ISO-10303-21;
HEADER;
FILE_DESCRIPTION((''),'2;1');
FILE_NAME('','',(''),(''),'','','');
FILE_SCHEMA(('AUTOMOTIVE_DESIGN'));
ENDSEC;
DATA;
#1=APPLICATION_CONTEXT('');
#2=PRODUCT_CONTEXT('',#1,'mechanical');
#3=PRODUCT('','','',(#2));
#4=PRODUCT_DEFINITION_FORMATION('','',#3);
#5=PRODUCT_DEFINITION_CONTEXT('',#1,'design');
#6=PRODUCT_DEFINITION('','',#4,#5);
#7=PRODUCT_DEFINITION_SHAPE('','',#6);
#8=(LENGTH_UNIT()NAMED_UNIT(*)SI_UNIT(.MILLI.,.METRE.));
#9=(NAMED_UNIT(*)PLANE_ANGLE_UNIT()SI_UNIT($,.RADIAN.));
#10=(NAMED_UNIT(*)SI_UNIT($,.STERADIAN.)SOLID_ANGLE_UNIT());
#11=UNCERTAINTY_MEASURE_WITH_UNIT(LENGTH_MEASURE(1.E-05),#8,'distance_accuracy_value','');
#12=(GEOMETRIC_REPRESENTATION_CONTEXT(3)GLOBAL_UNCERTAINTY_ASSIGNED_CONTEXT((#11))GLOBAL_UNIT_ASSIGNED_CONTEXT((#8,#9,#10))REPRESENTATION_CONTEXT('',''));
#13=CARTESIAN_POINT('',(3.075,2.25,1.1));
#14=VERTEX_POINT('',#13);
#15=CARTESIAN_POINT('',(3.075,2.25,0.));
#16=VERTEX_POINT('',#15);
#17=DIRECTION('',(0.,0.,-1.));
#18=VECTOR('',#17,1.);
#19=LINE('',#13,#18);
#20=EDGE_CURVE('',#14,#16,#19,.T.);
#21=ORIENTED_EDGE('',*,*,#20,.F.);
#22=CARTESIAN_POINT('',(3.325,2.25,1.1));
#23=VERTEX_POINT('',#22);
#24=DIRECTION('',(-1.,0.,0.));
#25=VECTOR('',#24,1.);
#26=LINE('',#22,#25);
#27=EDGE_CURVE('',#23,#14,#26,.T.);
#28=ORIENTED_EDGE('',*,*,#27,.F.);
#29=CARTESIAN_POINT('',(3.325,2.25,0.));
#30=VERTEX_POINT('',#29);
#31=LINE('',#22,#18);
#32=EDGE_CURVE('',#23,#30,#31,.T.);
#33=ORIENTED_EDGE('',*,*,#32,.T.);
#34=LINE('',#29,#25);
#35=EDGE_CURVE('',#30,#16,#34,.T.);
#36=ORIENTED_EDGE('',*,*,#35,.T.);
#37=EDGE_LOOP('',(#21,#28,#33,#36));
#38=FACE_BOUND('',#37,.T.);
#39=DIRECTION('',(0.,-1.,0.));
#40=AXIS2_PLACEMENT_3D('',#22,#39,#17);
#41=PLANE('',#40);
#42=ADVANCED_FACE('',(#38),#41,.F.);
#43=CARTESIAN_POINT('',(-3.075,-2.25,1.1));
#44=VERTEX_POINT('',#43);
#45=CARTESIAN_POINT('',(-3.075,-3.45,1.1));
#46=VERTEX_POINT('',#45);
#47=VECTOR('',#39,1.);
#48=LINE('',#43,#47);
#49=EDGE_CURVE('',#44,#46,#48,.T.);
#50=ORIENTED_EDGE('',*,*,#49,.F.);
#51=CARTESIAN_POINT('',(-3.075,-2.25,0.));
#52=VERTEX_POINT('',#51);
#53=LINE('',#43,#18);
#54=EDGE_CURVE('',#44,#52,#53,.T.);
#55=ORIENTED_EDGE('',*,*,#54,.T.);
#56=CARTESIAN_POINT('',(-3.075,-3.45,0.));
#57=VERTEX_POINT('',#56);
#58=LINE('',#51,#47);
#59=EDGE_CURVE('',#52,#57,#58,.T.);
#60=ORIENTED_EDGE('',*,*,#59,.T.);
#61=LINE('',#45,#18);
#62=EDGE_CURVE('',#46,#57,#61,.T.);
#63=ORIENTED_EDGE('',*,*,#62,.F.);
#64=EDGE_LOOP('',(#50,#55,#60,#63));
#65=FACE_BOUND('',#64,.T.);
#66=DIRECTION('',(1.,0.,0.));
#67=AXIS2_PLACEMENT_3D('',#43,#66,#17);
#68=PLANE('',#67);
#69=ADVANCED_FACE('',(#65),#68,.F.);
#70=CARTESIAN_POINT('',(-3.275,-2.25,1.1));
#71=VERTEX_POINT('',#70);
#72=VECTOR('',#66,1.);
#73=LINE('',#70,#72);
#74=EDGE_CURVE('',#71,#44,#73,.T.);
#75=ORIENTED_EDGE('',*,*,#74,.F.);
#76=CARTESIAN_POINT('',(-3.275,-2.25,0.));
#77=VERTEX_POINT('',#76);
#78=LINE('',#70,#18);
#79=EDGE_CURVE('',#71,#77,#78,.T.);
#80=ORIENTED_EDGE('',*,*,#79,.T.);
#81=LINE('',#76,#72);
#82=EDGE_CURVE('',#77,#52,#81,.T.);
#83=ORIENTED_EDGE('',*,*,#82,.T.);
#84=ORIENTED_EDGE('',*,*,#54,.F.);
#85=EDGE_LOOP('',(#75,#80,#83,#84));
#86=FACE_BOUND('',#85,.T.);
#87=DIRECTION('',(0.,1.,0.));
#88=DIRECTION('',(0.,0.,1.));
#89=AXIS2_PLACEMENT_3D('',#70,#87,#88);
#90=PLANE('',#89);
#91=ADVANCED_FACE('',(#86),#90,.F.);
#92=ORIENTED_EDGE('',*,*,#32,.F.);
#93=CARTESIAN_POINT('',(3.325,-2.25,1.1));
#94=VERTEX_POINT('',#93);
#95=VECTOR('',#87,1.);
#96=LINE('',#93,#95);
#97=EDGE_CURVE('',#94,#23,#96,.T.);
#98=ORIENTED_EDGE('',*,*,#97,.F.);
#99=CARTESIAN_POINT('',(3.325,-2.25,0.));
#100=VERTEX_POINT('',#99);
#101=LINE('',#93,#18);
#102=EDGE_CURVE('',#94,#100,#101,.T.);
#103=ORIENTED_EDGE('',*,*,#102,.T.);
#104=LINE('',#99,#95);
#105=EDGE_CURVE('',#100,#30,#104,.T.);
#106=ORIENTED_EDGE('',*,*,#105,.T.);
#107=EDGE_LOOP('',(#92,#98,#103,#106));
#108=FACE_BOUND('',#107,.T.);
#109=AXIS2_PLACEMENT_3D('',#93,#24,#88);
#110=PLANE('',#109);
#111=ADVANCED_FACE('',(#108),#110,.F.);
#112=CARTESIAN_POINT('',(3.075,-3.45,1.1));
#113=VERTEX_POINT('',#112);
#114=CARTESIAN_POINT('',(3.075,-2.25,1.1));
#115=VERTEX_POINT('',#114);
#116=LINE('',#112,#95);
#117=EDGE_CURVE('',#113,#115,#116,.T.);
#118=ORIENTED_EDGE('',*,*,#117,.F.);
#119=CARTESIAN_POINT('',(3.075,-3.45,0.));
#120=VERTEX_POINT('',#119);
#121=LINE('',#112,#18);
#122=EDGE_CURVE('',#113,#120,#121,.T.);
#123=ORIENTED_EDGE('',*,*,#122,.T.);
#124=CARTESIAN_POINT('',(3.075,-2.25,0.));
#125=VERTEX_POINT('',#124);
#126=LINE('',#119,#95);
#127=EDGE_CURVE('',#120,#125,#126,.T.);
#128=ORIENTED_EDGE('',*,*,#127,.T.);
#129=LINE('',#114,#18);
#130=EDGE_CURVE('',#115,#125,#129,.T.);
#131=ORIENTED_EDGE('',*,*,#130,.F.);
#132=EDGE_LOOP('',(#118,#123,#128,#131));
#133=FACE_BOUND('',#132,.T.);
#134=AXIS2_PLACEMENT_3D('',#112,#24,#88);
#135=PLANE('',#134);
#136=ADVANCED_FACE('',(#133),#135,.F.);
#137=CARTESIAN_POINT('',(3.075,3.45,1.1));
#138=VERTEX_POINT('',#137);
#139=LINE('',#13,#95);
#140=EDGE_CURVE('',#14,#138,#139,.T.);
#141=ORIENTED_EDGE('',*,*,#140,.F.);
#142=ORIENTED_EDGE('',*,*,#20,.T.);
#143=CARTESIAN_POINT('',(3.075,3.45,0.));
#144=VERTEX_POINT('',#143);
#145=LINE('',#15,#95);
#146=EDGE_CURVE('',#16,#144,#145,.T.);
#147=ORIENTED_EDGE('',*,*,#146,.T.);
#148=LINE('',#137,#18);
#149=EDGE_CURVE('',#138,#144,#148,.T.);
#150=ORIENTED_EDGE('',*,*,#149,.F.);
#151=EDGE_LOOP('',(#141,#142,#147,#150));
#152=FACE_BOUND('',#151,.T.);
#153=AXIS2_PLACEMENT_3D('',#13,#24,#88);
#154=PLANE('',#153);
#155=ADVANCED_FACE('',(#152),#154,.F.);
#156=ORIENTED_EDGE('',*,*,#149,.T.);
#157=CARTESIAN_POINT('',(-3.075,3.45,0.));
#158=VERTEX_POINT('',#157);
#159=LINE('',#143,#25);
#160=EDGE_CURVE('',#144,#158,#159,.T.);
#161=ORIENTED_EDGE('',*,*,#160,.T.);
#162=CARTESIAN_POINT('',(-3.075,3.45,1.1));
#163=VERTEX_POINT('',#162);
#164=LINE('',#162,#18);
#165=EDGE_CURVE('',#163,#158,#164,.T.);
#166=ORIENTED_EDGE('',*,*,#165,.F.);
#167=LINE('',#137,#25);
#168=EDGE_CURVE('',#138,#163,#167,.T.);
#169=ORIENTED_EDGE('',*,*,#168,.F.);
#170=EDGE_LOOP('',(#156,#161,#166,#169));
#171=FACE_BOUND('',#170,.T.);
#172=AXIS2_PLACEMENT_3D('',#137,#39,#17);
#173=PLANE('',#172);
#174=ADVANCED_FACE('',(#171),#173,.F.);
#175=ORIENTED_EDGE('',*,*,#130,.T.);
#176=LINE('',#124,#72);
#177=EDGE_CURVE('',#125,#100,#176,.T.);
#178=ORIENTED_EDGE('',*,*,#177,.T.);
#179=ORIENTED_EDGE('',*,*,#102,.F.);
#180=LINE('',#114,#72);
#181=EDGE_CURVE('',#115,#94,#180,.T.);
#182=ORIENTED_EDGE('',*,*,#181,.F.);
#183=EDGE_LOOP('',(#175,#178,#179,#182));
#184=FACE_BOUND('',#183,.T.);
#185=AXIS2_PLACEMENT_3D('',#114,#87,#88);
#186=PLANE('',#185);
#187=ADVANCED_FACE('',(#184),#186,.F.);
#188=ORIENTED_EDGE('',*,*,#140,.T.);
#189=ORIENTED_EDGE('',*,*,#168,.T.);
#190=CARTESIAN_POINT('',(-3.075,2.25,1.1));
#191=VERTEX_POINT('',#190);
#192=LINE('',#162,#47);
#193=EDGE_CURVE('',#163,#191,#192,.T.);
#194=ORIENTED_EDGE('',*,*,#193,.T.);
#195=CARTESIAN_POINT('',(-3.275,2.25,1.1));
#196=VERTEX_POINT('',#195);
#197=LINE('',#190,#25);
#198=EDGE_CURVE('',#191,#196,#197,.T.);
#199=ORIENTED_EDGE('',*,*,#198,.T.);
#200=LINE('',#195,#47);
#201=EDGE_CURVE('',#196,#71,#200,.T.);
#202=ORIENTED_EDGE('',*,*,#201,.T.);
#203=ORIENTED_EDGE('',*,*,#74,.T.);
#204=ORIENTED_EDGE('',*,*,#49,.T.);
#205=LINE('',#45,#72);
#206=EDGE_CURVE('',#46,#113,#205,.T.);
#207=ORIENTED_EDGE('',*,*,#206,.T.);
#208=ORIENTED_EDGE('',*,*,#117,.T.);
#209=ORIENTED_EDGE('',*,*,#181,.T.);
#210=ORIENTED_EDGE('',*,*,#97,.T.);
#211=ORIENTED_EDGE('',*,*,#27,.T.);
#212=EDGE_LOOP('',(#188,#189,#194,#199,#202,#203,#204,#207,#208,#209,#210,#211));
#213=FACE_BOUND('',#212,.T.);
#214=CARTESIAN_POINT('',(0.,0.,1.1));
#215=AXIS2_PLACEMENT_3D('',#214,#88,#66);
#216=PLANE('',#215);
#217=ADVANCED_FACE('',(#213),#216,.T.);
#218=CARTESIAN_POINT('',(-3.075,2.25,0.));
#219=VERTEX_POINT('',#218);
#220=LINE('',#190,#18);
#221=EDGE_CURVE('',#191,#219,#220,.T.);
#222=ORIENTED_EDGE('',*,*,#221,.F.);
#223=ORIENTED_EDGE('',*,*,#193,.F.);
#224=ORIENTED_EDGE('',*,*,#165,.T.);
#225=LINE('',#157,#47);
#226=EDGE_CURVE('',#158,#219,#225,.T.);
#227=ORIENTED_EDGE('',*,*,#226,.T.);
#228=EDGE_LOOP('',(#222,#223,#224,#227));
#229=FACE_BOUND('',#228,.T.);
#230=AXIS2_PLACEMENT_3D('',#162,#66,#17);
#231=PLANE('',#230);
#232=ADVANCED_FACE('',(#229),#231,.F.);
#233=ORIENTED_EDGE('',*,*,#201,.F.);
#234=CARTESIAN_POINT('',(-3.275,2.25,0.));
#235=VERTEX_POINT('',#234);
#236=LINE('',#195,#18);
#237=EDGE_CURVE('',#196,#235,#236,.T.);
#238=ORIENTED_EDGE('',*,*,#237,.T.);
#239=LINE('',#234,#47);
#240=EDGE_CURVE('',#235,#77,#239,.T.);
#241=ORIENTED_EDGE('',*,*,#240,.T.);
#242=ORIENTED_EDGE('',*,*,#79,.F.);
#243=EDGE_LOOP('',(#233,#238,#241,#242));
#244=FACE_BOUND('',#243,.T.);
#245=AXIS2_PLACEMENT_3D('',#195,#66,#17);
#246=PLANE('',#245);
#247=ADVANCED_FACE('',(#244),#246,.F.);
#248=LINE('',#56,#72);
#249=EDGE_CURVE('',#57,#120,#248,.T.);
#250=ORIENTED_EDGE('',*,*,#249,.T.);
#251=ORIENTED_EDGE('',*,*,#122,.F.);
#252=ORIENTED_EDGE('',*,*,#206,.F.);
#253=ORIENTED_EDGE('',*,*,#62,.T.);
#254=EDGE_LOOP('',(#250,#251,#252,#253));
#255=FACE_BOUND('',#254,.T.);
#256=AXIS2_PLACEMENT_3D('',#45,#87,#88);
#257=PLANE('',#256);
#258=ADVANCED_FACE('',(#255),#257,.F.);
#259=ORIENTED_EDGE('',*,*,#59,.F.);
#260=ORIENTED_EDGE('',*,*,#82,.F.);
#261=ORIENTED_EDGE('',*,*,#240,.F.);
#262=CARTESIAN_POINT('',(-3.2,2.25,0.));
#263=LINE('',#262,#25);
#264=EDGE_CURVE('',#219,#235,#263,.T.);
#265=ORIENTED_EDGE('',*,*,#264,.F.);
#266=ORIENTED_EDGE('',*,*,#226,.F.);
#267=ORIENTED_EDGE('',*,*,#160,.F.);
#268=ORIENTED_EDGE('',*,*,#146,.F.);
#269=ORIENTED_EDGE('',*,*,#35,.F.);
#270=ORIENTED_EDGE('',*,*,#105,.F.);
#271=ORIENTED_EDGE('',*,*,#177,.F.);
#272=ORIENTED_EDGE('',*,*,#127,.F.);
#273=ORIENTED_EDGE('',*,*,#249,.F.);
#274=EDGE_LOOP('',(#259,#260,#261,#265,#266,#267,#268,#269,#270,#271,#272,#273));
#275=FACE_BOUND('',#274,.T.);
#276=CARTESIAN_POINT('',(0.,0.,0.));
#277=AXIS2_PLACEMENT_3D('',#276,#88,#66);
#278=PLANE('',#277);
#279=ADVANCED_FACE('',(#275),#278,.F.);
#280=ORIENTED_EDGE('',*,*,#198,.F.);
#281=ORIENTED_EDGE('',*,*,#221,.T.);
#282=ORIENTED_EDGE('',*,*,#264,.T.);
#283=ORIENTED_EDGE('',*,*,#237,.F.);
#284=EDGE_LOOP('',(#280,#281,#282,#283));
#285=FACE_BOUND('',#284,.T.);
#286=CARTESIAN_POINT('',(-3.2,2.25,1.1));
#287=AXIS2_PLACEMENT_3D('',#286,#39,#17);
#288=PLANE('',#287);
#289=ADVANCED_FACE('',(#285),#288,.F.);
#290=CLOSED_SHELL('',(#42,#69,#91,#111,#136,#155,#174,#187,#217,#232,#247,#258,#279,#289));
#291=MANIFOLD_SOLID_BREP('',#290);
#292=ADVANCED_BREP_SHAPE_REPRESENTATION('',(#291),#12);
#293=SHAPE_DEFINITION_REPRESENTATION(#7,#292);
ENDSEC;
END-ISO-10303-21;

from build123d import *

# Parameters (mm, degrees)
COMPONENT_OUTLINE_DEPTH = 1.1


with BuildPart() as part:
    # 草图1 → Component_Outline (new body)
    with BuildSketch(Plane.XY):
        Polygon((-3.275, -2.25), (-3.075, -2.25), (-3.075, -3.45), (3.075, -3.45), (3.075, -2.25), (3.325, -2.25), (3.325, 2.25), (3.075, 2.25), (3.075, 3.45), (-3.075, 3.45), (-3.075, 2.25), (-3.2, 2.25), (-3.275, 2.25), align=None)
    extrude(amount=COMPONENT_OUTLINE_DEPTH)


solid = part.part
